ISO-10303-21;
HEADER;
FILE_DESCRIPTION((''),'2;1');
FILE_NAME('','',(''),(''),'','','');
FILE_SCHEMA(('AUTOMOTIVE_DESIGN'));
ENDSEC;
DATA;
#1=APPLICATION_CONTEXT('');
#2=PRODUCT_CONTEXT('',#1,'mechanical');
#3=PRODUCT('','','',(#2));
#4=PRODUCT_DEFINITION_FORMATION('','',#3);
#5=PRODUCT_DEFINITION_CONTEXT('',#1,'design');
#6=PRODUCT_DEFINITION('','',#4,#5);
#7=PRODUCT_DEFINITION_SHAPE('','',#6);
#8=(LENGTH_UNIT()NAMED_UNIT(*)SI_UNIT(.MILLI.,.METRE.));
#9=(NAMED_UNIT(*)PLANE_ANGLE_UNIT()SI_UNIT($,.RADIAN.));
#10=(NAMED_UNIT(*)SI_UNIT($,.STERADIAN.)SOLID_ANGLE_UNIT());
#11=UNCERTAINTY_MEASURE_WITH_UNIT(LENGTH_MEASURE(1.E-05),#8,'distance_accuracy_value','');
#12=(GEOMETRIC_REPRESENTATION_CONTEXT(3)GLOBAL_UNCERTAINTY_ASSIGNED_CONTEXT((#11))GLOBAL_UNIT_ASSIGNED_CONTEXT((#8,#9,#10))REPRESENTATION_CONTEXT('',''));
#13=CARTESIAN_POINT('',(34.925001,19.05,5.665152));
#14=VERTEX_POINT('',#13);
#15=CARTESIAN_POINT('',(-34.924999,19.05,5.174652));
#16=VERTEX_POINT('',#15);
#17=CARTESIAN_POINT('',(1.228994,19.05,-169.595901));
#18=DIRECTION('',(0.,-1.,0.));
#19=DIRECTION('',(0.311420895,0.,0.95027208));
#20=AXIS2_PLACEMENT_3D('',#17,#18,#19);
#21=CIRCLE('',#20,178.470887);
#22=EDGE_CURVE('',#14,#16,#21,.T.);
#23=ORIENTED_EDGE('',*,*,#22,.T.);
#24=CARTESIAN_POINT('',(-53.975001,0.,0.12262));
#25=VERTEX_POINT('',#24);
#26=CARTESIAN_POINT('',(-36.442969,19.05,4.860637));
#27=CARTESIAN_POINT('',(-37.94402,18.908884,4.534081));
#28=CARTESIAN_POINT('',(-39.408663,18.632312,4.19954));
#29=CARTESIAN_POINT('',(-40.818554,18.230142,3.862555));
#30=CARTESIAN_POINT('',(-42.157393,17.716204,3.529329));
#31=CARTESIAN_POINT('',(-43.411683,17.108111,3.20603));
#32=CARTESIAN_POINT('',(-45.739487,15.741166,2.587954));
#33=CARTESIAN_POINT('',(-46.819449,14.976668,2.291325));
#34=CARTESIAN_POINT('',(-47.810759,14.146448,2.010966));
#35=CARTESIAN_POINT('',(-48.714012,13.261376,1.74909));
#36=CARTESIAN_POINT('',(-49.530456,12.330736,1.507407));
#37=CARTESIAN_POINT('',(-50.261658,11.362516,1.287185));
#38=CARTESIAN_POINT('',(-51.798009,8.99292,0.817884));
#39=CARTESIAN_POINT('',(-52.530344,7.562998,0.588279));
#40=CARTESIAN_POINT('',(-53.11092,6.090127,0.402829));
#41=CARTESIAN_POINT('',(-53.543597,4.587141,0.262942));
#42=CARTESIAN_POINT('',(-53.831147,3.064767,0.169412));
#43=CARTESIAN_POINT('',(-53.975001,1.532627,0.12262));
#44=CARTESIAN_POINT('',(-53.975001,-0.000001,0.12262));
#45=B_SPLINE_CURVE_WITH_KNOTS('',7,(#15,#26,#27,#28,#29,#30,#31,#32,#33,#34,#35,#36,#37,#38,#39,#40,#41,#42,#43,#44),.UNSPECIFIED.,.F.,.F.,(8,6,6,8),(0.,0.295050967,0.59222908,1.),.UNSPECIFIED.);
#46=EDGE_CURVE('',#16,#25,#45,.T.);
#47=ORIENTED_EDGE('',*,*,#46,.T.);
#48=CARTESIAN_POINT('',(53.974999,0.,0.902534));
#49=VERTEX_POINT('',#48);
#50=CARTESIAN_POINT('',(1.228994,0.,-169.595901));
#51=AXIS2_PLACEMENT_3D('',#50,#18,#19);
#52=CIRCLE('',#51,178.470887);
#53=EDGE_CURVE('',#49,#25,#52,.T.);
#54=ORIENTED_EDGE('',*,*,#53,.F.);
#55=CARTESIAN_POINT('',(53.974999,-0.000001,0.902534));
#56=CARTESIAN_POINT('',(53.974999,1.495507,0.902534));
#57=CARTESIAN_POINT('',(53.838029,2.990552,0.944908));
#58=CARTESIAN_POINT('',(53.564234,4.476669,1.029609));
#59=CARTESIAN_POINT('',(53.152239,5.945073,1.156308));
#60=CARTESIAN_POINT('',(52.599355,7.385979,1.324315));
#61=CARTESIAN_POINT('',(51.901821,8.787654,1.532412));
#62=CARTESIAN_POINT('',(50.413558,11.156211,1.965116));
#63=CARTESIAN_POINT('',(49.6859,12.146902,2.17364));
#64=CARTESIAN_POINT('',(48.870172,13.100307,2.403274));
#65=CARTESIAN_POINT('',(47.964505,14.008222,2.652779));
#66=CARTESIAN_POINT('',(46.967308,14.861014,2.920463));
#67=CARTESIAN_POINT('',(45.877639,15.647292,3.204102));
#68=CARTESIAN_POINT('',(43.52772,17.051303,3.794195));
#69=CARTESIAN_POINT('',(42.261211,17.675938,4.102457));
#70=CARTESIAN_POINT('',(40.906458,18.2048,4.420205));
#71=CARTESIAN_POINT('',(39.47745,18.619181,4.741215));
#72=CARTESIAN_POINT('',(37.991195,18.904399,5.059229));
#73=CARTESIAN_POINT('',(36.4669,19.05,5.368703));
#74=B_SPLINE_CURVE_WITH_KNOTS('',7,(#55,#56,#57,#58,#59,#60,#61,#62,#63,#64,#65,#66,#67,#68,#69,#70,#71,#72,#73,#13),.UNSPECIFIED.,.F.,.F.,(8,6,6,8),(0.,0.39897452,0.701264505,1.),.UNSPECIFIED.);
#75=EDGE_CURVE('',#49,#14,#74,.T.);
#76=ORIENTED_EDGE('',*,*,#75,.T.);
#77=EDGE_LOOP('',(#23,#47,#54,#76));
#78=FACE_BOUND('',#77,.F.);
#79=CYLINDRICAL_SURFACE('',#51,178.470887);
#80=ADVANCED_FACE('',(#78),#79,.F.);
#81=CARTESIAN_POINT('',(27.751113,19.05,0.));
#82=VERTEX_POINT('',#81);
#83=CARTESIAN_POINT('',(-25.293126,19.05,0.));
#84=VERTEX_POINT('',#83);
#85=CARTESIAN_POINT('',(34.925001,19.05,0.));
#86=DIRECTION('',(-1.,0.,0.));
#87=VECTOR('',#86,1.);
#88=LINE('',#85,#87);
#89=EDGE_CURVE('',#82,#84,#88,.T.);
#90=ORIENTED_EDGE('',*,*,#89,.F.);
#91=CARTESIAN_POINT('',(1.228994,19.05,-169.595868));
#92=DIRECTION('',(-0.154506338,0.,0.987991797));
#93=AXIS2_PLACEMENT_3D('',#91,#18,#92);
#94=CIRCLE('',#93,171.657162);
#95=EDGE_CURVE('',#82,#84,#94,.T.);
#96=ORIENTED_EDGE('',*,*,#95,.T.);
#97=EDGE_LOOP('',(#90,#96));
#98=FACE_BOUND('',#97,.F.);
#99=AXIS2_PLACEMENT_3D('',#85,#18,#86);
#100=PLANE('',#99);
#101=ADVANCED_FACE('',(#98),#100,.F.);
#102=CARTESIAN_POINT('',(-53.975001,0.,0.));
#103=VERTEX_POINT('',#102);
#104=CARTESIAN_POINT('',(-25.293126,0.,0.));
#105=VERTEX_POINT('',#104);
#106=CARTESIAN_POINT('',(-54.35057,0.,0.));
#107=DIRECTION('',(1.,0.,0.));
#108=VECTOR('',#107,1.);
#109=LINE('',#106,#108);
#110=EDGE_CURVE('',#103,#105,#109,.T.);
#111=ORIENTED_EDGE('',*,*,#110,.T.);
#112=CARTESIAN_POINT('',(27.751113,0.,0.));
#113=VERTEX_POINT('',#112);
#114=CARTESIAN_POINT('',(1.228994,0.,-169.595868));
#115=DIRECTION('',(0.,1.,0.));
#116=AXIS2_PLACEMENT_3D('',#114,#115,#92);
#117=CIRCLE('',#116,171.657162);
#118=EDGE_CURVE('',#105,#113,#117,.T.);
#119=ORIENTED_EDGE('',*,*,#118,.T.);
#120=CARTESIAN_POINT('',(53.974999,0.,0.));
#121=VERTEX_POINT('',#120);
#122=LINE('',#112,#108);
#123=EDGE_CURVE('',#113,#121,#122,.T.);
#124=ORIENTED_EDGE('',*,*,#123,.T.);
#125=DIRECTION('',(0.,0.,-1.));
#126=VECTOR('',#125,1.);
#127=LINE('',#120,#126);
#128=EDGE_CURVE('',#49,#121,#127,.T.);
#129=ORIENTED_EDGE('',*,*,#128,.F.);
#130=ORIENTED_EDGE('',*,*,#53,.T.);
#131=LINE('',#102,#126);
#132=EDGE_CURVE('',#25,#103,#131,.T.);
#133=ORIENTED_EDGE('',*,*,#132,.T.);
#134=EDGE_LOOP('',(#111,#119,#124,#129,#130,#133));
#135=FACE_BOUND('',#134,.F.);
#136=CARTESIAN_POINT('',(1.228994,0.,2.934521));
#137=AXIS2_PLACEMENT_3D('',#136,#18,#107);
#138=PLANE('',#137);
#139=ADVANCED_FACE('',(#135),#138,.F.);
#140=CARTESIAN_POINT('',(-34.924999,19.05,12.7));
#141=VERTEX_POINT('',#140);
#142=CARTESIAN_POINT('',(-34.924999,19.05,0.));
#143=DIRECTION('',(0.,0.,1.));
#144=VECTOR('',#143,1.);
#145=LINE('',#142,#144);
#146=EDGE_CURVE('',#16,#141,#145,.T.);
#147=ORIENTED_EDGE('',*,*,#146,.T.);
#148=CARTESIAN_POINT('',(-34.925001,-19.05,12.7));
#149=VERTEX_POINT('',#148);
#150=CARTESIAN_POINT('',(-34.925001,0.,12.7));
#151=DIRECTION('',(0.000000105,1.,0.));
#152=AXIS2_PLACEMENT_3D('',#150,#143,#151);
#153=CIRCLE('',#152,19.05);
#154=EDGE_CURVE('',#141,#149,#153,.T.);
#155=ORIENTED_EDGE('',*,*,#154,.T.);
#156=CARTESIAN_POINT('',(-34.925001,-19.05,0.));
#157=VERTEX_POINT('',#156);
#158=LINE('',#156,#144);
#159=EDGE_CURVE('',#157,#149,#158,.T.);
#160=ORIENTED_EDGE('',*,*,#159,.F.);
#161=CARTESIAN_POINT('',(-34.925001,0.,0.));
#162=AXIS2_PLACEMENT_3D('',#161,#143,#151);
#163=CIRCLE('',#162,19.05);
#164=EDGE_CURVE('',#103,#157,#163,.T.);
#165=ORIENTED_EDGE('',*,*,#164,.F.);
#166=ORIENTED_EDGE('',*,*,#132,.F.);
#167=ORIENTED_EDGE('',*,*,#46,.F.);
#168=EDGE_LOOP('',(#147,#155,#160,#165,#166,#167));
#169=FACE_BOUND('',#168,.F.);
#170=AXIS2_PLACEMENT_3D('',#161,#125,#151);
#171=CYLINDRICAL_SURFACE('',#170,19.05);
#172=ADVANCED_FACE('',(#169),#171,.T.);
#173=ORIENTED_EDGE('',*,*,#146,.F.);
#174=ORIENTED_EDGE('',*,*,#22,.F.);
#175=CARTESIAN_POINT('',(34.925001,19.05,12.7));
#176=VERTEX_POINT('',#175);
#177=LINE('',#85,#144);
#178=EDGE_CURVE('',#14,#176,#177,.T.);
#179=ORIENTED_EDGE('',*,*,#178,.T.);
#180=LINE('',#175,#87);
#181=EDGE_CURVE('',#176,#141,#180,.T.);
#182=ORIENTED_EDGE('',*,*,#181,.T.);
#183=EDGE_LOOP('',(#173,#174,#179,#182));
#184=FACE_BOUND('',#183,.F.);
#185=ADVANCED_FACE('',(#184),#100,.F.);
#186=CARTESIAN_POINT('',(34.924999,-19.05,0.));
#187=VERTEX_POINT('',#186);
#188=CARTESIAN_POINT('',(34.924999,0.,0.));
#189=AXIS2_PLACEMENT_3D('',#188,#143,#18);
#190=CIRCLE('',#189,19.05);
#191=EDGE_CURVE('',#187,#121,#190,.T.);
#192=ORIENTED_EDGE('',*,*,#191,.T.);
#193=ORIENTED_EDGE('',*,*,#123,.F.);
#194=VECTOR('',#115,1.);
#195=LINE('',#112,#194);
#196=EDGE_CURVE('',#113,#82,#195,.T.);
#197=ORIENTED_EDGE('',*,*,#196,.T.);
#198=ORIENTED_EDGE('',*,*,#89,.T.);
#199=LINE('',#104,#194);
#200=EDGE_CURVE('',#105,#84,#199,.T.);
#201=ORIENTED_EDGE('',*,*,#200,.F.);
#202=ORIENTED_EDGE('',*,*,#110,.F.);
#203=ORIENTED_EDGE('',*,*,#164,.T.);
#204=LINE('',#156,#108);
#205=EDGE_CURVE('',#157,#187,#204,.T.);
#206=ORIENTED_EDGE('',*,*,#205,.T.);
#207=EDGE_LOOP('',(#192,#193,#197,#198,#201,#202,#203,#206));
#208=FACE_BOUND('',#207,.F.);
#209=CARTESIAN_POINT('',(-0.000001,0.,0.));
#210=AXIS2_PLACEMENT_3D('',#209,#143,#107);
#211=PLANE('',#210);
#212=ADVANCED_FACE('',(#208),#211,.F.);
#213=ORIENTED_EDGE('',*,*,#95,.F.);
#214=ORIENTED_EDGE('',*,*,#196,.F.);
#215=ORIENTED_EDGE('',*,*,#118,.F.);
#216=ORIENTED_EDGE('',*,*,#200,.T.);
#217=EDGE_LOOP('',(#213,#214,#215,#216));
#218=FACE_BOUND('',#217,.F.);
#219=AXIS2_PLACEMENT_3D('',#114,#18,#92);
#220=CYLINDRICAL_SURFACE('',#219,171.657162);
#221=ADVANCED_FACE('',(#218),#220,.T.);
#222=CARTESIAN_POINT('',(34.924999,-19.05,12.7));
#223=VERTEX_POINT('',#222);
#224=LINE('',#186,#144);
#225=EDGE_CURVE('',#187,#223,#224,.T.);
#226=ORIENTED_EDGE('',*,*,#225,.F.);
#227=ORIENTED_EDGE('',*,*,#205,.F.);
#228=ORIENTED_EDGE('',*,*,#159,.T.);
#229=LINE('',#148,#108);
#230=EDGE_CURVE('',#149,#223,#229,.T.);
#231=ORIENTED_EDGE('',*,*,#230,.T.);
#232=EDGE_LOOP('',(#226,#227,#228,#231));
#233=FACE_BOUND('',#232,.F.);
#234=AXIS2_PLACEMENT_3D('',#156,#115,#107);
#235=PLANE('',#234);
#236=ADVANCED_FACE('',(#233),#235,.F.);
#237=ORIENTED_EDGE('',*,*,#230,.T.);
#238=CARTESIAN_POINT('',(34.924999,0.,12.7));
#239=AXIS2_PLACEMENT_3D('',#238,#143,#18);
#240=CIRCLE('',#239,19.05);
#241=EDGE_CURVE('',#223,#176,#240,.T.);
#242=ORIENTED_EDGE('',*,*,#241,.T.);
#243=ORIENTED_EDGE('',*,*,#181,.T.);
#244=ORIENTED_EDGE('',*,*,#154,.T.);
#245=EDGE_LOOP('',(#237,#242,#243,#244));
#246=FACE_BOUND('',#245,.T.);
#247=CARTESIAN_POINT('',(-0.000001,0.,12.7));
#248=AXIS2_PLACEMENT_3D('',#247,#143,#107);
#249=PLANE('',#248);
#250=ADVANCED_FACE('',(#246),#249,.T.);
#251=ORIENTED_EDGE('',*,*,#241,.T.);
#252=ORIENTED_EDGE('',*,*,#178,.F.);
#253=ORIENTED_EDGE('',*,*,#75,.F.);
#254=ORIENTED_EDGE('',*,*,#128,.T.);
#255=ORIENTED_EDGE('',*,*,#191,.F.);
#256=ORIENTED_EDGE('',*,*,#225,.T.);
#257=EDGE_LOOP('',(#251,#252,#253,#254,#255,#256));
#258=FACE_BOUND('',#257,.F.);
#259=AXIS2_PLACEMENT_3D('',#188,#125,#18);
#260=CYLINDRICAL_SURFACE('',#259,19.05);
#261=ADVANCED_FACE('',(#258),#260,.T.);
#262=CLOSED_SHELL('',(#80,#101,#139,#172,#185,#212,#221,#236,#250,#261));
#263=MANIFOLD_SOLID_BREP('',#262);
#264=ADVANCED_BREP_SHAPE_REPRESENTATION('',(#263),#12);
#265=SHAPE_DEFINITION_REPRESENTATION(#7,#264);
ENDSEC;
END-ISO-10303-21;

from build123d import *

# Parameters (mm, degrees)
F1_DEPTH = 12.7
F3_DEPTH = 50.8


with BuildPart() as f1:
    # F0 (on Top) → F1 (new body)
    with BuildSketch(Plane.XY):
        with BuildLine():
            ThreePointArc((34.924999, -19.05), (53.974999, -1e-06), (34.925001, 19.05))
            Line((34.925001, 19.05), (-34.924999, 19.05))
            ThreePointArc((-34.924999, 19.05), (-53.975001, 1e-06), (-34.925001, -19.05))
            Line((-34.925001, -19.05), (34.924999, -19.05))
        make_face()
    extrude(amount=F1_DEPTH)

    # F2 (on Front) → F3 (cut)
    with BuildSketch(Plane.XZ):
        with BuildLine():
            ThreePointArc((-25.293126, 0), (1.228994, 2.061294), (27.751113, 0))
            Line((27.751113, 0), (56.808557, 0))
            ThreePointArc((56.808557, 0), (1.228994, 8.874986), (-54.35057, 0))
            Line((-54.35057, 0), (-25.293126, 0))
        make_face()
    extrude(amount=-F3_DEPTH, mode=Mode.SUBTRACT)


solid = f1.part
